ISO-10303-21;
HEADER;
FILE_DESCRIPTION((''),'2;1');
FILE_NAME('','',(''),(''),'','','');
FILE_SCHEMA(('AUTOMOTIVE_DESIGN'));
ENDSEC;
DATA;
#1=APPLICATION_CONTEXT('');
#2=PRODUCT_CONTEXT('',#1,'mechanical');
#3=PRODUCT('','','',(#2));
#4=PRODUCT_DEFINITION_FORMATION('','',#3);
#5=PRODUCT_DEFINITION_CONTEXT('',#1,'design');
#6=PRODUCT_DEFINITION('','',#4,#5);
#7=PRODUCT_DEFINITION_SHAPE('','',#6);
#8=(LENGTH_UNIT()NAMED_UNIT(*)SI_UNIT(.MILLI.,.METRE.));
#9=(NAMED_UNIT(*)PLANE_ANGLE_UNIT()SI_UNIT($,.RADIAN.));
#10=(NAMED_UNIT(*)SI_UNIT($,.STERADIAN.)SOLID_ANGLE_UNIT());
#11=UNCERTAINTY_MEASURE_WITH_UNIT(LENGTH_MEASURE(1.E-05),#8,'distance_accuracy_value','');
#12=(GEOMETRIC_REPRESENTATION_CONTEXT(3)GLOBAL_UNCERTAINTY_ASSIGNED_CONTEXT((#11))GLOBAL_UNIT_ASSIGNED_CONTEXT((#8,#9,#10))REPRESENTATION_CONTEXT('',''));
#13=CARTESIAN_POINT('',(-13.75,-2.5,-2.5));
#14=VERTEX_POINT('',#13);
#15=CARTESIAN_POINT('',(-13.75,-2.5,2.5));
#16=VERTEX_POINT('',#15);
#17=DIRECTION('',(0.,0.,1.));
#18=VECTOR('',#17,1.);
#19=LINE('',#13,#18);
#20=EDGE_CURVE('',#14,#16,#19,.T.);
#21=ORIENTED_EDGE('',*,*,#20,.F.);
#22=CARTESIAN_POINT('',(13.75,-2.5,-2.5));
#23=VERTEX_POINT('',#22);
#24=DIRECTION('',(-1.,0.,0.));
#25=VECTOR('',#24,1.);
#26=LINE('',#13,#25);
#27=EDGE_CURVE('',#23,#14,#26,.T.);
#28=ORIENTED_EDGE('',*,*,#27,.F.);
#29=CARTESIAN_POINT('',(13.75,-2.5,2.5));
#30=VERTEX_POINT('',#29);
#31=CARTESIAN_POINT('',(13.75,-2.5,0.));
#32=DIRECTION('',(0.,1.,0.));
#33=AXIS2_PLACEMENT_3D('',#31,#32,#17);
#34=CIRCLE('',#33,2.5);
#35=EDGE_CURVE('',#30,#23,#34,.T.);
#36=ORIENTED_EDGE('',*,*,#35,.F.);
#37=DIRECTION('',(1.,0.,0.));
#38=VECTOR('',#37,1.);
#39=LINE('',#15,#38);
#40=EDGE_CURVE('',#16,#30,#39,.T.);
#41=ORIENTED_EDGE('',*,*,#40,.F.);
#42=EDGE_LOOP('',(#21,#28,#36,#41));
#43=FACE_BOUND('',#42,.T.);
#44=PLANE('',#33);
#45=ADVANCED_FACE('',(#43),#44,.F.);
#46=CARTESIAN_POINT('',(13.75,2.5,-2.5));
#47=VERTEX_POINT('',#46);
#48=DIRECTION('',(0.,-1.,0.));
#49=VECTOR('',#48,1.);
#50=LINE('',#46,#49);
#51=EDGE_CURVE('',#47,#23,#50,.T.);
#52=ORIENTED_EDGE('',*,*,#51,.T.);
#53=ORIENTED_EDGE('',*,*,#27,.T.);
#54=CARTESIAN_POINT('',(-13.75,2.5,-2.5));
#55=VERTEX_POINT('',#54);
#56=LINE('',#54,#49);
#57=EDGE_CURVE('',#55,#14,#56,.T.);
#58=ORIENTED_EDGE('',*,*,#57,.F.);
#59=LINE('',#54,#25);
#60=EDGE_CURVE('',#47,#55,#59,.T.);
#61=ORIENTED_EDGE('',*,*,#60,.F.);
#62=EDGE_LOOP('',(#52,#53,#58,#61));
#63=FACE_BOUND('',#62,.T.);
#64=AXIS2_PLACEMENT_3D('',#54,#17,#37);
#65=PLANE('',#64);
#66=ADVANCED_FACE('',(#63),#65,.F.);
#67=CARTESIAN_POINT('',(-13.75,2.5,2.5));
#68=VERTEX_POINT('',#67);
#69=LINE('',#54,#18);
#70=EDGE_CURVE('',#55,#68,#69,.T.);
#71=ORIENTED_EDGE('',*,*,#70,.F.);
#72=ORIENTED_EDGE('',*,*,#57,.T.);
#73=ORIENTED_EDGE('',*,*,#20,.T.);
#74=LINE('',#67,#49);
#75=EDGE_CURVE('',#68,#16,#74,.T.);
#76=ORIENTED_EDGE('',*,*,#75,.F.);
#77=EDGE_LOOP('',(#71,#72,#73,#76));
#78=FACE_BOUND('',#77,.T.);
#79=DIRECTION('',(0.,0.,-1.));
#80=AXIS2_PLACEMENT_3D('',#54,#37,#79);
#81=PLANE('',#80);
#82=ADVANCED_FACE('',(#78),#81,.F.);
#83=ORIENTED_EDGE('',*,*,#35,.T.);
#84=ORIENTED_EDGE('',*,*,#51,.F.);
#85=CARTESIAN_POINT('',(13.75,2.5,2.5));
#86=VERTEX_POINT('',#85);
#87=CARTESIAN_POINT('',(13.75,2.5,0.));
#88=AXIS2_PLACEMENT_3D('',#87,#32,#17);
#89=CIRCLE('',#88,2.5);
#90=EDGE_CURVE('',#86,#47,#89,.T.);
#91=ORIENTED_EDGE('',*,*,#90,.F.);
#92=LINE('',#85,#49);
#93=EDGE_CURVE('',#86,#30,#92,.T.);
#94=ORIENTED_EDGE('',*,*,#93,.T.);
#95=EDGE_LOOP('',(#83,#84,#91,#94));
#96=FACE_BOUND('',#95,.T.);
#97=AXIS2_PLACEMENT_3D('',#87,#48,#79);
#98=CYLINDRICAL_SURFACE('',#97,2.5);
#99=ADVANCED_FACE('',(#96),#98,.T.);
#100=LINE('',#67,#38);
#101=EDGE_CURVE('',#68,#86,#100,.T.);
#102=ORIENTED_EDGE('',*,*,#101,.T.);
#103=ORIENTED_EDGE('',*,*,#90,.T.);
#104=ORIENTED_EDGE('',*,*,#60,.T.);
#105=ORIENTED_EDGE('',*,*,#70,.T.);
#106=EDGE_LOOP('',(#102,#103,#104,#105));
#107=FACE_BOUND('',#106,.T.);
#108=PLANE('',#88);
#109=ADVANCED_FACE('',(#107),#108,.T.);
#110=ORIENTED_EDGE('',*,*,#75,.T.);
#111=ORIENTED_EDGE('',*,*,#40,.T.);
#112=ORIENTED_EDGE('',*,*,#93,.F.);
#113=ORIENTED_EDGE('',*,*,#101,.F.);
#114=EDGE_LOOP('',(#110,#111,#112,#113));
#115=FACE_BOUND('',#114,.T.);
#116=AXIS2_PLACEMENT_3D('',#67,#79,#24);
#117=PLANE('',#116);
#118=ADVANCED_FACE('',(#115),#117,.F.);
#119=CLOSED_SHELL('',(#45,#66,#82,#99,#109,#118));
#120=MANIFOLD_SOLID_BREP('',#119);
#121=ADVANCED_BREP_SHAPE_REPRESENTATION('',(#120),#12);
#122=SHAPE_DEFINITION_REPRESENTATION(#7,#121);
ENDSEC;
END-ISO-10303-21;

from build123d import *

# Parameters (mm, degrees)
EXTRUDE_1_DEPTH = 2.5


with BuildPart() as part:
    # ｽｹｯﾁ1 → ﾎﾞｽ - 押し出し1 (new, symmetric)
    with BuildSketch(Plane(origin=(0, 0, 0), x_dir=(1, 0, 0), z_dir=(0, 1, 0))):
        with BuildLine():
            Line((-13.75, 2.5), (13.75, 2.5))
            ThreePointArc((13.75, 2.5), (16.25, 0), (13.75, -2.5))
            Line((13.75, -2.5), (-13.75, -2.5))
            Line((-13.75, -2.5), (-13.75, 2.5))
        make_face()
    extrude(amount=EXTRUDE_1_DEPTH, both=True)


solid = part.part
